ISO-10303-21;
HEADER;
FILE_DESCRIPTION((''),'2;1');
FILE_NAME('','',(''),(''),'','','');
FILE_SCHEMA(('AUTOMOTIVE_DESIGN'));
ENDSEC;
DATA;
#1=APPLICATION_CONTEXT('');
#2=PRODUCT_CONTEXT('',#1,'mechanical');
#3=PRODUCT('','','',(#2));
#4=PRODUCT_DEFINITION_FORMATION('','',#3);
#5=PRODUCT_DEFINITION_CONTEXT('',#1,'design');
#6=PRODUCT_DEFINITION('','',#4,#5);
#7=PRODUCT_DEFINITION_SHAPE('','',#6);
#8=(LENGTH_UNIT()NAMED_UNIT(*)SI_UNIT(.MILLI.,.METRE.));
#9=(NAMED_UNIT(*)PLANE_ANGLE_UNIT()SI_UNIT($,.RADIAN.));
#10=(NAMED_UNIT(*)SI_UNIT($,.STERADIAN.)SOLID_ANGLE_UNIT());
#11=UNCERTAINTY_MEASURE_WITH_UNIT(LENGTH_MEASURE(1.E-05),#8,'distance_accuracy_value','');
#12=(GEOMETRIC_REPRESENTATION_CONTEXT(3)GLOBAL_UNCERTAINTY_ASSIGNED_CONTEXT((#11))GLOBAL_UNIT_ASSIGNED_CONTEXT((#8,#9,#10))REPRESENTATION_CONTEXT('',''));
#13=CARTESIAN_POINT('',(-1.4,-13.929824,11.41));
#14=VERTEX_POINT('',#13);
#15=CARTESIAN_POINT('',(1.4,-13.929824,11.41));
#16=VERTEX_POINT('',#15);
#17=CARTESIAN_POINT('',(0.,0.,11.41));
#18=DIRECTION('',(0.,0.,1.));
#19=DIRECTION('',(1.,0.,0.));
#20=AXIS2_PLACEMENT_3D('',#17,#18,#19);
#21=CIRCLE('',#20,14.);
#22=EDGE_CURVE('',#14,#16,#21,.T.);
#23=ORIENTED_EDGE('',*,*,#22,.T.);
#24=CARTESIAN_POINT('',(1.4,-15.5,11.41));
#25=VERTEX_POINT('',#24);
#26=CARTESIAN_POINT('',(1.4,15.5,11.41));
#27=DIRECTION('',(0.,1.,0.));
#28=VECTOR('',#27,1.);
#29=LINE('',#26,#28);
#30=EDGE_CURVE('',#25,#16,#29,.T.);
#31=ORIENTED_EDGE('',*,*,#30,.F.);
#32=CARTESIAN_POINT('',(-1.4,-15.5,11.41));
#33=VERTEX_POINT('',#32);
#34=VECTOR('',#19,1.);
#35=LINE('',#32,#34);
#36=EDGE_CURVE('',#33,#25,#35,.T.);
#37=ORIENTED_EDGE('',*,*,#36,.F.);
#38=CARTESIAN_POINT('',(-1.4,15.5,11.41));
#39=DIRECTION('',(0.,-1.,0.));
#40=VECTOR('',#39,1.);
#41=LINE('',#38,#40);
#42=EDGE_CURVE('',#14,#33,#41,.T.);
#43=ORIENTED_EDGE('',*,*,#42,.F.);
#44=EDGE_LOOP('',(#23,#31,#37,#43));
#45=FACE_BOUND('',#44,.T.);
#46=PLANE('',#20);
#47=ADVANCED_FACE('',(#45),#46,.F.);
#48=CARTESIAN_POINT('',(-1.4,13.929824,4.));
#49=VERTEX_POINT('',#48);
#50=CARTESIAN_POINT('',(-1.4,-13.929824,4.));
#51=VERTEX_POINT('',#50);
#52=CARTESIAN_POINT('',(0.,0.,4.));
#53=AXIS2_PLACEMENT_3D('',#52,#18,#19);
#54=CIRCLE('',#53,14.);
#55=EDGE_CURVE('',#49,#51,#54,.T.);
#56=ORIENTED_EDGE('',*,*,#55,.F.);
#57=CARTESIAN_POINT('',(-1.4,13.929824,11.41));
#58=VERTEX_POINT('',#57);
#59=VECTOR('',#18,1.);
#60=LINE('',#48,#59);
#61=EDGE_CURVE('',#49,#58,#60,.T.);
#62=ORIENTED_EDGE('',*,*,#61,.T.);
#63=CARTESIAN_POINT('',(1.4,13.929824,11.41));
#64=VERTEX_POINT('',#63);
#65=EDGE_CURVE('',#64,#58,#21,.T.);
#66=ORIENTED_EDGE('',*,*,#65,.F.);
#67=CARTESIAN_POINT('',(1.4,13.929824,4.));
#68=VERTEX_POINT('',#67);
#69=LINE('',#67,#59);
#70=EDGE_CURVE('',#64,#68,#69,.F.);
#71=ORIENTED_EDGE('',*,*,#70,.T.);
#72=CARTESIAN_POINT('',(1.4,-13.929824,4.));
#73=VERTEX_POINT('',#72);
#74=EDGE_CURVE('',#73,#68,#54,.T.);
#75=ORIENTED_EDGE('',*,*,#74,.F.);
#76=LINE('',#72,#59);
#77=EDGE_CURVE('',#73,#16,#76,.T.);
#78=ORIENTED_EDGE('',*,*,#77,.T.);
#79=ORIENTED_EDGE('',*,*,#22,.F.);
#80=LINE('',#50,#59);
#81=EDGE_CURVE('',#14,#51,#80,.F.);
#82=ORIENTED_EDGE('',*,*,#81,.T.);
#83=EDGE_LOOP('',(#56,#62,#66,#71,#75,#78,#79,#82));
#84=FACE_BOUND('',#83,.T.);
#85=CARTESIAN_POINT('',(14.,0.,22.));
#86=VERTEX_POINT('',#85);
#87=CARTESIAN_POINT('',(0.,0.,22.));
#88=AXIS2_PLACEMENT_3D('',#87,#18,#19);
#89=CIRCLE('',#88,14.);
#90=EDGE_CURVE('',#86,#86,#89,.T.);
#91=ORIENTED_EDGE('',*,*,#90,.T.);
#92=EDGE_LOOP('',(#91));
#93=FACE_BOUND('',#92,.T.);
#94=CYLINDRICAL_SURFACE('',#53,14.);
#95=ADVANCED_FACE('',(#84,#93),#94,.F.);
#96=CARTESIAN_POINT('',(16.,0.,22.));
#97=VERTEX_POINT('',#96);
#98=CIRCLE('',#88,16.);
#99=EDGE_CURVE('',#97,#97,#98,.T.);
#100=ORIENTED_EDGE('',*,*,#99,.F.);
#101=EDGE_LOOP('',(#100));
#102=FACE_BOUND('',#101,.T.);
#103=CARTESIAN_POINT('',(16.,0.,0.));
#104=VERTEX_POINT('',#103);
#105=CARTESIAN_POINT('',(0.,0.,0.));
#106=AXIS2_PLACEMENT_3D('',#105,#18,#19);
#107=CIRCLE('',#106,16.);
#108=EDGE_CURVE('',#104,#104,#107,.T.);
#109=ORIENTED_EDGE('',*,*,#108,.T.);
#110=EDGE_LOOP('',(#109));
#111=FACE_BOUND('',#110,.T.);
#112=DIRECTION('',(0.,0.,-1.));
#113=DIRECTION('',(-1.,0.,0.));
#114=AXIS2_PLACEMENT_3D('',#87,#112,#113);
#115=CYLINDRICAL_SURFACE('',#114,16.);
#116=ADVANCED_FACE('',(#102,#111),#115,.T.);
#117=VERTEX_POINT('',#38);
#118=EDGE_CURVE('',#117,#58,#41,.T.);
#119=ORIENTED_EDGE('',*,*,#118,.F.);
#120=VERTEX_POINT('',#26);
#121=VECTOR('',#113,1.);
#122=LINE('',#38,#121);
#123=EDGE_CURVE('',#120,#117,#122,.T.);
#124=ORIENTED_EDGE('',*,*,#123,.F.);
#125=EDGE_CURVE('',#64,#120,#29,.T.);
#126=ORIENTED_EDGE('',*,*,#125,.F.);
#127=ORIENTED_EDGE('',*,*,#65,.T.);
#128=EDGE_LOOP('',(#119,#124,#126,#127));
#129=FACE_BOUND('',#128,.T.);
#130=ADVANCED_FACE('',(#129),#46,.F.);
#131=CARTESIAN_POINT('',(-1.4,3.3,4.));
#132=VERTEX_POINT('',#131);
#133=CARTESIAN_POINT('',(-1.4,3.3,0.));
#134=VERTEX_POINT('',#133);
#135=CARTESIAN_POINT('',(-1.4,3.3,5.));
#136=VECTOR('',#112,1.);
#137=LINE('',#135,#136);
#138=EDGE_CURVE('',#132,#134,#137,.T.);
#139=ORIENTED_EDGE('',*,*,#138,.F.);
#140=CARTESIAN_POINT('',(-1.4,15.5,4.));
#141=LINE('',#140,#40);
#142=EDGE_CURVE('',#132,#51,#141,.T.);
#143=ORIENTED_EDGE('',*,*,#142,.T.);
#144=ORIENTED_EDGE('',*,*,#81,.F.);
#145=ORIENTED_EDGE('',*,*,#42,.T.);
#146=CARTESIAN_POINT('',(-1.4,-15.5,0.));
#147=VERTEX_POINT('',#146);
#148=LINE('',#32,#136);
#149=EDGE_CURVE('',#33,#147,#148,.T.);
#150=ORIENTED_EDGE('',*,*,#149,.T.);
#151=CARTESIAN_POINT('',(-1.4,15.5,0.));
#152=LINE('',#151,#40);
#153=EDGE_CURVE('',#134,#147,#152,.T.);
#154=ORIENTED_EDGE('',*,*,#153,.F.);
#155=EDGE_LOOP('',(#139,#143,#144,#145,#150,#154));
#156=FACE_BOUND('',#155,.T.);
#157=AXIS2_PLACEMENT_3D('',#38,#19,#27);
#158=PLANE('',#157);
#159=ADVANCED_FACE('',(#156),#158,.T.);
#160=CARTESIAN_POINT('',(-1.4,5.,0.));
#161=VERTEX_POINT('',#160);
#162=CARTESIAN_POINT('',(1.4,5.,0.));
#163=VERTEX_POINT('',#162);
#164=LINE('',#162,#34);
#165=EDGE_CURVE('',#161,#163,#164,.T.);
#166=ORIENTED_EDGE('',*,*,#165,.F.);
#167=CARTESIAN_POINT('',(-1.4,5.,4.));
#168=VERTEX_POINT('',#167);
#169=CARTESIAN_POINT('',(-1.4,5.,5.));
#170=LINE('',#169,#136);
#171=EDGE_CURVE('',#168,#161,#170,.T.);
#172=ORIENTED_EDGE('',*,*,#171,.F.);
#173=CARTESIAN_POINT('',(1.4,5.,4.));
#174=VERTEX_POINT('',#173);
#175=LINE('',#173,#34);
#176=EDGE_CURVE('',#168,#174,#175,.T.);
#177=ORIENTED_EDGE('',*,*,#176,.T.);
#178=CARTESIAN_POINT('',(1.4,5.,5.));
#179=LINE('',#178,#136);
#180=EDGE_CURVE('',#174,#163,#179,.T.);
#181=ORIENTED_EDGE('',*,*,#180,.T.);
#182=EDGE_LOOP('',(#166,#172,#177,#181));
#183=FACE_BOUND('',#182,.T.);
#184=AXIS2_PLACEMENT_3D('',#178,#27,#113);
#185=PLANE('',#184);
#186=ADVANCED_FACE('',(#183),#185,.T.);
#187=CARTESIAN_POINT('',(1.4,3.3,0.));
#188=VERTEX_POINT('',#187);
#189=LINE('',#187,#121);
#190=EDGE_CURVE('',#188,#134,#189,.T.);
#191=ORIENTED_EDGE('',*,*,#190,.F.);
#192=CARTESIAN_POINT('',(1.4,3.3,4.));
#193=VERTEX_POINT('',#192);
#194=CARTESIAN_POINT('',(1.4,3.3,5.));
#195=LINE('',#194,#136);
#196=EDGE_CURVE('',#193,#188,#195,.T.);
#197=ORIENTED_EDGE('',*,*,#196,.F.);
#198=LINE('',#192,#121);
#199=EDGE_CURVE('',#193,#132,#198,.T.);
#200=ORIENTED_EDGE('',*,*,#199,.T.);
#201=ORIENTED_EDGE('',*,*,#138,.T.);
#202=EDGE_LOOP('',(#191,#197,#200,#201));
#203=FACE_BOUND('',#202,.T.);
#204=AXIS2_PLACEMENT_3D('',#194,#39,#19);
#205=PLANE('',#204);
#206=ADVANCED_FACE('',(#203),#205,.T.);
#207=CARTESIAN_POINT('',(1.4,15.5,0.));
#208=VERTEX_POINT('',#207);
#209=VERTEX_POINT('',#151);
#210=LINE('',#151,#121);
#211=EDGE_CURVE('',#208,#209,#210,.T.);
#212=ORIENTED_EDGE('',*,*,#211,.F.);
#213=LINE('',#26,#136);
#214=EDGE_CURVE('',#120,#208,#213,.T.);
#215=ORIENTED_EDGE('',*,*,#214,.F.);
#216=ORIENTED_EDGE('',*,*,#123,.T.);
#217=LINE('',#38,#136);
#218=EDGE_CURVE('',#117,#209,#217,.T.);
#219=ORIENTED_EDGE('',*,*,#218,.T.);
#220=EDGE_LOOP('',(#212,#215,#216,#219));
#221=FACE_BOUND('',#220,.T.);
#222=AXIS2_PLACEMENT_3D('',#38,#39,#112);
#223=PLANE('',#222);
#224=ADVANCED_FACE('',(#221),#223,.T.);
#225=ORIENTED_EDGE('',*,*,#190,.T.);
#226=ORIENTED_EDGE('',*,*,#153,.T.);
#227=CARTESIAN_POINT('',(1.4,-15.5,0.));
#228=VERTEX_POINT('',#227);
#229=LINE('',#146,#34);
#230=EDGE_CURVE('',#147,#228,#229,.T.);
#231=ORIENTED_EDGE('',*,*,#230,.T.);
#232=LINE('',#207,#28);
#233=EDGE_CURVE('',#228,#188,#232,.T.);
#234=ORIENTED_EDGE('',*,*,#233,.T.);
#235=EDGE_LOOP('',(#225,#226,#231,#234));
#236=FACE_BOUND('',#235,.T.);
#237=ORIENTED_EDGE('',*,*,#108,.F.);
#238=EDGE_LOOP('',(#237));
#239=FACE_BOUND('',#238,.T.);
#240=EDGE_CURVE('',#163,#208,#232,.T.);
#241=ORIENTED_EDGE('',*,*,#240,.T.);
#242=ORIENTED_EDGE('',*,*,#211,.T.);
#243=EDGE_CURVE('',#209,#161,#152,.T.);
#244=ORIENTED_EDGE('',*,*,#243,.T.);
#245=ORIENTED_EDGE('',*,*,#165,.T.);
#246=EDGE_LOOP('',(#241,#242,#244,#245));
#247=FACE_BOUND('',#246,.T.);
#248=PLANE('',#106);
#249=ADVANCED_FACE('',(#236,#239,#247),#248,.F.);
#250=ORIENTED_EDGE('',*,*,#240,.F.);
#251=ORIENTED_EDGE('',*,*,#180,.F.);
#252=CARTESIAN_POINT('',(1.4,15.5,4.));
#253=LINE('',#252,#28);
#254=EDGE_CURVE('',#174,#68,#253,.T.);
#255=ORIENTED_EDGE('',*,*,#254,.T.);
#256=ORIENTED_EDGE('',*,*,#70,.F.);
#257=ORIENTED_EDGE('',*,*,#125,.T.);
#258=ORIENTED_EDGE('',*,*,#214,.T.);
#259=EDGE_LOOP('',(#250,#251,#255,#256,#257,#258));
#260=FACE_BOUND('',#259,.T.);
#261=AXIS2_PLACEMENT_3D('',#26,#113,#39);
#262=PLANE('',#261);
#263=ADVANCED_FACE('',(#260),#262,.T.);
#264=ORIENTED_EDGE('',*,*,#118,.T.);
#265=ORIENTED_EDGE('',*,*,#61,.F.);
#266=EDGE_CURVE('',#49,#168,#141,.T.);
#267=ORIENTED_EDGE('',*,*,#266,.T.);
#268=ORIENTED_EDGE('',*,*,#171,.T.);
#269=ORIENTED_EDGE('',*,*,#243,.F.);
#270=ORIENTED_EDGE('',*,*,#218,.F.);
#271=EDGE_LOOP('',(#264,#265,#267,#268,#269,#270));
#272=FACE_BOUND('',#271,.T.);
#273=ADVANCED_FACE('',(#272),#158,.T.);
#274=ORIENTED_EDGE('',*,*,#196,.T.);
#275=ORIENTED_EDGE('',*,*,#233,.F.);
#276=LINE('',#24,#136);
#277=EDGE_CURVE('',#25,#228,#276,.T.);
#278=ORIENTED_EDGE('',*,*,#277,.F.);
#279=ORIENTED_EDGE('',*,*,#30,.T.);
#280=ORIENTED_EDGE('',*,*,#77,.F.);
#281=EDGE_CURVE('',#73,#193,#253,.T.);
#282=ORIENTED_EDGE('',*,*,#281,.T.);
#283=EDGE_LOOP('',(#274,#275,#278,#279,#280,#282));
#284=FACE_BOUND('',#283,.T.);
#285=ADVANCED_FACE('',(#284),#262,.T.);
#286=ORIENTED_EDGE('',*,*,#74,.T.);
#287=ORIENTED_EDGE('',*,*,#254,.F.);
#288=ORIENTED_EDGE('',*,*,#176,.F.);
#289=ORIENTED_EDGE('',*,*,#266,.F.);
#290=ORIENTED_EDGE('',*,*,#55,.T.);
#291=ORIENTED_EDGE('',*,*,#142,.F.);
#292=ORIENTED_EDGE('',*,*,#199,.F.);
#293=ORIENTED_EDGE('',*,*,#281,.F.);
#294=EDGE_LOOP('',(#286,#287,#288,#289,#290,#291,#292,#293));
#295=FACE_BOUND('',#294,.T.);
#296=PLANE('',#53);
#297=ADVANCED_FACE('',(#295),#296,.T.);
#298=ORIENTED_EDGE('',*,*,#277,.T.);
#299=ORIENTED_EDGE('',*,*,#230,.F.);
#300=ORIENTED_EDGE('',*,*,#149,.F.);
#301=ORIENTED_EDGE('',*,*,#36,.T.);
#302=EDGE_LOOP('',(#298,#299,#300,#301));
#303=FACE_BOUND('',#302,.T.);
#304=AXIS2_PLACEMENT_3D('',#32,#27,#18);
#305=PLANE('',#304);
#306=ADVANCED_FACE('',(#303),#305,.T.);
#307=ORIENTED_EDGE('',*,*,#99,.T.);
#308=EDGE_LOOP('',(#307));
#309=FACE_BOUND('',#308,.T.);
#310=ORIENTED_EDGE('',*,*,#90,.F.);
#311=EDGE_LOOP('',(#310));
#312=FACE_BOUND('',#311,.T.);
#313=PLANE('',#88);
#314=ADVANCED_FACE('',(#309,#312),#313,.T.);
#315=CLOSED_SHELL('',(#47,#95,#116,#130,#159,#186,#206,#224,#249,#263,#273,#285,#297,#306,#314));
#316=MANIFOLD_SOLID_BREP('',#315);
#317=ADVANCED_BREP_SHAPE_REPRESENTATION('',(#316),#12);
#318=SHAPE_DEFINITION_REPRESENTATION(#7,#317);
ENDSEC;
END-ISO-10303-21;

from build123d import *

# Parameters (mm, degrees)
ESQUISSE1_R             = 16
BOSS_EXTRU_1_DEPTH      = 22
ESQUISSE2_W             = 2.8
ESQUISSE2_H             = 31
ENL_V_MAT_EXTRU_1_DEPTH = 11.41
ESQUISSE3_W             = 2.8
ESQUISSE3_H             = 1.7
BOSS_EXTRU_2_DEPTH      = 5
ESQUISSE4_R             = 14
ENL_V_MAT_EXTRU_2_DEPTH = 18


with BuildPart() as part:
    # Esquisse1 → Boss.-Extru.1 (new body)
    with BuildSketch(Plane.XY):
        Circle(ESQUISSE1_R)
    extrude(amount=BOSS_EXTRU_1_DEPTH)

    # Esquisse2 → Enlèv. mat.-Extru.1 (cut)
    with BuildSketch(Plane.XY):
        Rectangle(ESQUISSE2_W, ESQUISSE2_H)
    extrude(amount=ENL_V_MAT_EXTRU_1_DEPTH, mode=Mode.SUBTRACT)

    # Esquisse3 → Boss.-Extru.2 (add)
    with BuildSketch(Plane(origin=(0, 0, 0), x_dir=(-1, 0, 0), z_dir=(0, 0, -1))):
        with Locations((0, 4.15)):
            Rectangle(ESQUISSE3_W, ESQUISSE3_H)
    extrude(amount=-BOSS_EXTRU_2_DEPTH)

    # Esquisse4 → Enlèv. mat.-Extru.2 (cut)
    with BuildSketch(Plane.XY.offset(22)):
        Circle(ESQUISSE4_R)
    extrude(amount=-ENL_V_MAT_EXTRU_2_DEPTH, mode=Mode.SUBTRACT)


solid = part.part
